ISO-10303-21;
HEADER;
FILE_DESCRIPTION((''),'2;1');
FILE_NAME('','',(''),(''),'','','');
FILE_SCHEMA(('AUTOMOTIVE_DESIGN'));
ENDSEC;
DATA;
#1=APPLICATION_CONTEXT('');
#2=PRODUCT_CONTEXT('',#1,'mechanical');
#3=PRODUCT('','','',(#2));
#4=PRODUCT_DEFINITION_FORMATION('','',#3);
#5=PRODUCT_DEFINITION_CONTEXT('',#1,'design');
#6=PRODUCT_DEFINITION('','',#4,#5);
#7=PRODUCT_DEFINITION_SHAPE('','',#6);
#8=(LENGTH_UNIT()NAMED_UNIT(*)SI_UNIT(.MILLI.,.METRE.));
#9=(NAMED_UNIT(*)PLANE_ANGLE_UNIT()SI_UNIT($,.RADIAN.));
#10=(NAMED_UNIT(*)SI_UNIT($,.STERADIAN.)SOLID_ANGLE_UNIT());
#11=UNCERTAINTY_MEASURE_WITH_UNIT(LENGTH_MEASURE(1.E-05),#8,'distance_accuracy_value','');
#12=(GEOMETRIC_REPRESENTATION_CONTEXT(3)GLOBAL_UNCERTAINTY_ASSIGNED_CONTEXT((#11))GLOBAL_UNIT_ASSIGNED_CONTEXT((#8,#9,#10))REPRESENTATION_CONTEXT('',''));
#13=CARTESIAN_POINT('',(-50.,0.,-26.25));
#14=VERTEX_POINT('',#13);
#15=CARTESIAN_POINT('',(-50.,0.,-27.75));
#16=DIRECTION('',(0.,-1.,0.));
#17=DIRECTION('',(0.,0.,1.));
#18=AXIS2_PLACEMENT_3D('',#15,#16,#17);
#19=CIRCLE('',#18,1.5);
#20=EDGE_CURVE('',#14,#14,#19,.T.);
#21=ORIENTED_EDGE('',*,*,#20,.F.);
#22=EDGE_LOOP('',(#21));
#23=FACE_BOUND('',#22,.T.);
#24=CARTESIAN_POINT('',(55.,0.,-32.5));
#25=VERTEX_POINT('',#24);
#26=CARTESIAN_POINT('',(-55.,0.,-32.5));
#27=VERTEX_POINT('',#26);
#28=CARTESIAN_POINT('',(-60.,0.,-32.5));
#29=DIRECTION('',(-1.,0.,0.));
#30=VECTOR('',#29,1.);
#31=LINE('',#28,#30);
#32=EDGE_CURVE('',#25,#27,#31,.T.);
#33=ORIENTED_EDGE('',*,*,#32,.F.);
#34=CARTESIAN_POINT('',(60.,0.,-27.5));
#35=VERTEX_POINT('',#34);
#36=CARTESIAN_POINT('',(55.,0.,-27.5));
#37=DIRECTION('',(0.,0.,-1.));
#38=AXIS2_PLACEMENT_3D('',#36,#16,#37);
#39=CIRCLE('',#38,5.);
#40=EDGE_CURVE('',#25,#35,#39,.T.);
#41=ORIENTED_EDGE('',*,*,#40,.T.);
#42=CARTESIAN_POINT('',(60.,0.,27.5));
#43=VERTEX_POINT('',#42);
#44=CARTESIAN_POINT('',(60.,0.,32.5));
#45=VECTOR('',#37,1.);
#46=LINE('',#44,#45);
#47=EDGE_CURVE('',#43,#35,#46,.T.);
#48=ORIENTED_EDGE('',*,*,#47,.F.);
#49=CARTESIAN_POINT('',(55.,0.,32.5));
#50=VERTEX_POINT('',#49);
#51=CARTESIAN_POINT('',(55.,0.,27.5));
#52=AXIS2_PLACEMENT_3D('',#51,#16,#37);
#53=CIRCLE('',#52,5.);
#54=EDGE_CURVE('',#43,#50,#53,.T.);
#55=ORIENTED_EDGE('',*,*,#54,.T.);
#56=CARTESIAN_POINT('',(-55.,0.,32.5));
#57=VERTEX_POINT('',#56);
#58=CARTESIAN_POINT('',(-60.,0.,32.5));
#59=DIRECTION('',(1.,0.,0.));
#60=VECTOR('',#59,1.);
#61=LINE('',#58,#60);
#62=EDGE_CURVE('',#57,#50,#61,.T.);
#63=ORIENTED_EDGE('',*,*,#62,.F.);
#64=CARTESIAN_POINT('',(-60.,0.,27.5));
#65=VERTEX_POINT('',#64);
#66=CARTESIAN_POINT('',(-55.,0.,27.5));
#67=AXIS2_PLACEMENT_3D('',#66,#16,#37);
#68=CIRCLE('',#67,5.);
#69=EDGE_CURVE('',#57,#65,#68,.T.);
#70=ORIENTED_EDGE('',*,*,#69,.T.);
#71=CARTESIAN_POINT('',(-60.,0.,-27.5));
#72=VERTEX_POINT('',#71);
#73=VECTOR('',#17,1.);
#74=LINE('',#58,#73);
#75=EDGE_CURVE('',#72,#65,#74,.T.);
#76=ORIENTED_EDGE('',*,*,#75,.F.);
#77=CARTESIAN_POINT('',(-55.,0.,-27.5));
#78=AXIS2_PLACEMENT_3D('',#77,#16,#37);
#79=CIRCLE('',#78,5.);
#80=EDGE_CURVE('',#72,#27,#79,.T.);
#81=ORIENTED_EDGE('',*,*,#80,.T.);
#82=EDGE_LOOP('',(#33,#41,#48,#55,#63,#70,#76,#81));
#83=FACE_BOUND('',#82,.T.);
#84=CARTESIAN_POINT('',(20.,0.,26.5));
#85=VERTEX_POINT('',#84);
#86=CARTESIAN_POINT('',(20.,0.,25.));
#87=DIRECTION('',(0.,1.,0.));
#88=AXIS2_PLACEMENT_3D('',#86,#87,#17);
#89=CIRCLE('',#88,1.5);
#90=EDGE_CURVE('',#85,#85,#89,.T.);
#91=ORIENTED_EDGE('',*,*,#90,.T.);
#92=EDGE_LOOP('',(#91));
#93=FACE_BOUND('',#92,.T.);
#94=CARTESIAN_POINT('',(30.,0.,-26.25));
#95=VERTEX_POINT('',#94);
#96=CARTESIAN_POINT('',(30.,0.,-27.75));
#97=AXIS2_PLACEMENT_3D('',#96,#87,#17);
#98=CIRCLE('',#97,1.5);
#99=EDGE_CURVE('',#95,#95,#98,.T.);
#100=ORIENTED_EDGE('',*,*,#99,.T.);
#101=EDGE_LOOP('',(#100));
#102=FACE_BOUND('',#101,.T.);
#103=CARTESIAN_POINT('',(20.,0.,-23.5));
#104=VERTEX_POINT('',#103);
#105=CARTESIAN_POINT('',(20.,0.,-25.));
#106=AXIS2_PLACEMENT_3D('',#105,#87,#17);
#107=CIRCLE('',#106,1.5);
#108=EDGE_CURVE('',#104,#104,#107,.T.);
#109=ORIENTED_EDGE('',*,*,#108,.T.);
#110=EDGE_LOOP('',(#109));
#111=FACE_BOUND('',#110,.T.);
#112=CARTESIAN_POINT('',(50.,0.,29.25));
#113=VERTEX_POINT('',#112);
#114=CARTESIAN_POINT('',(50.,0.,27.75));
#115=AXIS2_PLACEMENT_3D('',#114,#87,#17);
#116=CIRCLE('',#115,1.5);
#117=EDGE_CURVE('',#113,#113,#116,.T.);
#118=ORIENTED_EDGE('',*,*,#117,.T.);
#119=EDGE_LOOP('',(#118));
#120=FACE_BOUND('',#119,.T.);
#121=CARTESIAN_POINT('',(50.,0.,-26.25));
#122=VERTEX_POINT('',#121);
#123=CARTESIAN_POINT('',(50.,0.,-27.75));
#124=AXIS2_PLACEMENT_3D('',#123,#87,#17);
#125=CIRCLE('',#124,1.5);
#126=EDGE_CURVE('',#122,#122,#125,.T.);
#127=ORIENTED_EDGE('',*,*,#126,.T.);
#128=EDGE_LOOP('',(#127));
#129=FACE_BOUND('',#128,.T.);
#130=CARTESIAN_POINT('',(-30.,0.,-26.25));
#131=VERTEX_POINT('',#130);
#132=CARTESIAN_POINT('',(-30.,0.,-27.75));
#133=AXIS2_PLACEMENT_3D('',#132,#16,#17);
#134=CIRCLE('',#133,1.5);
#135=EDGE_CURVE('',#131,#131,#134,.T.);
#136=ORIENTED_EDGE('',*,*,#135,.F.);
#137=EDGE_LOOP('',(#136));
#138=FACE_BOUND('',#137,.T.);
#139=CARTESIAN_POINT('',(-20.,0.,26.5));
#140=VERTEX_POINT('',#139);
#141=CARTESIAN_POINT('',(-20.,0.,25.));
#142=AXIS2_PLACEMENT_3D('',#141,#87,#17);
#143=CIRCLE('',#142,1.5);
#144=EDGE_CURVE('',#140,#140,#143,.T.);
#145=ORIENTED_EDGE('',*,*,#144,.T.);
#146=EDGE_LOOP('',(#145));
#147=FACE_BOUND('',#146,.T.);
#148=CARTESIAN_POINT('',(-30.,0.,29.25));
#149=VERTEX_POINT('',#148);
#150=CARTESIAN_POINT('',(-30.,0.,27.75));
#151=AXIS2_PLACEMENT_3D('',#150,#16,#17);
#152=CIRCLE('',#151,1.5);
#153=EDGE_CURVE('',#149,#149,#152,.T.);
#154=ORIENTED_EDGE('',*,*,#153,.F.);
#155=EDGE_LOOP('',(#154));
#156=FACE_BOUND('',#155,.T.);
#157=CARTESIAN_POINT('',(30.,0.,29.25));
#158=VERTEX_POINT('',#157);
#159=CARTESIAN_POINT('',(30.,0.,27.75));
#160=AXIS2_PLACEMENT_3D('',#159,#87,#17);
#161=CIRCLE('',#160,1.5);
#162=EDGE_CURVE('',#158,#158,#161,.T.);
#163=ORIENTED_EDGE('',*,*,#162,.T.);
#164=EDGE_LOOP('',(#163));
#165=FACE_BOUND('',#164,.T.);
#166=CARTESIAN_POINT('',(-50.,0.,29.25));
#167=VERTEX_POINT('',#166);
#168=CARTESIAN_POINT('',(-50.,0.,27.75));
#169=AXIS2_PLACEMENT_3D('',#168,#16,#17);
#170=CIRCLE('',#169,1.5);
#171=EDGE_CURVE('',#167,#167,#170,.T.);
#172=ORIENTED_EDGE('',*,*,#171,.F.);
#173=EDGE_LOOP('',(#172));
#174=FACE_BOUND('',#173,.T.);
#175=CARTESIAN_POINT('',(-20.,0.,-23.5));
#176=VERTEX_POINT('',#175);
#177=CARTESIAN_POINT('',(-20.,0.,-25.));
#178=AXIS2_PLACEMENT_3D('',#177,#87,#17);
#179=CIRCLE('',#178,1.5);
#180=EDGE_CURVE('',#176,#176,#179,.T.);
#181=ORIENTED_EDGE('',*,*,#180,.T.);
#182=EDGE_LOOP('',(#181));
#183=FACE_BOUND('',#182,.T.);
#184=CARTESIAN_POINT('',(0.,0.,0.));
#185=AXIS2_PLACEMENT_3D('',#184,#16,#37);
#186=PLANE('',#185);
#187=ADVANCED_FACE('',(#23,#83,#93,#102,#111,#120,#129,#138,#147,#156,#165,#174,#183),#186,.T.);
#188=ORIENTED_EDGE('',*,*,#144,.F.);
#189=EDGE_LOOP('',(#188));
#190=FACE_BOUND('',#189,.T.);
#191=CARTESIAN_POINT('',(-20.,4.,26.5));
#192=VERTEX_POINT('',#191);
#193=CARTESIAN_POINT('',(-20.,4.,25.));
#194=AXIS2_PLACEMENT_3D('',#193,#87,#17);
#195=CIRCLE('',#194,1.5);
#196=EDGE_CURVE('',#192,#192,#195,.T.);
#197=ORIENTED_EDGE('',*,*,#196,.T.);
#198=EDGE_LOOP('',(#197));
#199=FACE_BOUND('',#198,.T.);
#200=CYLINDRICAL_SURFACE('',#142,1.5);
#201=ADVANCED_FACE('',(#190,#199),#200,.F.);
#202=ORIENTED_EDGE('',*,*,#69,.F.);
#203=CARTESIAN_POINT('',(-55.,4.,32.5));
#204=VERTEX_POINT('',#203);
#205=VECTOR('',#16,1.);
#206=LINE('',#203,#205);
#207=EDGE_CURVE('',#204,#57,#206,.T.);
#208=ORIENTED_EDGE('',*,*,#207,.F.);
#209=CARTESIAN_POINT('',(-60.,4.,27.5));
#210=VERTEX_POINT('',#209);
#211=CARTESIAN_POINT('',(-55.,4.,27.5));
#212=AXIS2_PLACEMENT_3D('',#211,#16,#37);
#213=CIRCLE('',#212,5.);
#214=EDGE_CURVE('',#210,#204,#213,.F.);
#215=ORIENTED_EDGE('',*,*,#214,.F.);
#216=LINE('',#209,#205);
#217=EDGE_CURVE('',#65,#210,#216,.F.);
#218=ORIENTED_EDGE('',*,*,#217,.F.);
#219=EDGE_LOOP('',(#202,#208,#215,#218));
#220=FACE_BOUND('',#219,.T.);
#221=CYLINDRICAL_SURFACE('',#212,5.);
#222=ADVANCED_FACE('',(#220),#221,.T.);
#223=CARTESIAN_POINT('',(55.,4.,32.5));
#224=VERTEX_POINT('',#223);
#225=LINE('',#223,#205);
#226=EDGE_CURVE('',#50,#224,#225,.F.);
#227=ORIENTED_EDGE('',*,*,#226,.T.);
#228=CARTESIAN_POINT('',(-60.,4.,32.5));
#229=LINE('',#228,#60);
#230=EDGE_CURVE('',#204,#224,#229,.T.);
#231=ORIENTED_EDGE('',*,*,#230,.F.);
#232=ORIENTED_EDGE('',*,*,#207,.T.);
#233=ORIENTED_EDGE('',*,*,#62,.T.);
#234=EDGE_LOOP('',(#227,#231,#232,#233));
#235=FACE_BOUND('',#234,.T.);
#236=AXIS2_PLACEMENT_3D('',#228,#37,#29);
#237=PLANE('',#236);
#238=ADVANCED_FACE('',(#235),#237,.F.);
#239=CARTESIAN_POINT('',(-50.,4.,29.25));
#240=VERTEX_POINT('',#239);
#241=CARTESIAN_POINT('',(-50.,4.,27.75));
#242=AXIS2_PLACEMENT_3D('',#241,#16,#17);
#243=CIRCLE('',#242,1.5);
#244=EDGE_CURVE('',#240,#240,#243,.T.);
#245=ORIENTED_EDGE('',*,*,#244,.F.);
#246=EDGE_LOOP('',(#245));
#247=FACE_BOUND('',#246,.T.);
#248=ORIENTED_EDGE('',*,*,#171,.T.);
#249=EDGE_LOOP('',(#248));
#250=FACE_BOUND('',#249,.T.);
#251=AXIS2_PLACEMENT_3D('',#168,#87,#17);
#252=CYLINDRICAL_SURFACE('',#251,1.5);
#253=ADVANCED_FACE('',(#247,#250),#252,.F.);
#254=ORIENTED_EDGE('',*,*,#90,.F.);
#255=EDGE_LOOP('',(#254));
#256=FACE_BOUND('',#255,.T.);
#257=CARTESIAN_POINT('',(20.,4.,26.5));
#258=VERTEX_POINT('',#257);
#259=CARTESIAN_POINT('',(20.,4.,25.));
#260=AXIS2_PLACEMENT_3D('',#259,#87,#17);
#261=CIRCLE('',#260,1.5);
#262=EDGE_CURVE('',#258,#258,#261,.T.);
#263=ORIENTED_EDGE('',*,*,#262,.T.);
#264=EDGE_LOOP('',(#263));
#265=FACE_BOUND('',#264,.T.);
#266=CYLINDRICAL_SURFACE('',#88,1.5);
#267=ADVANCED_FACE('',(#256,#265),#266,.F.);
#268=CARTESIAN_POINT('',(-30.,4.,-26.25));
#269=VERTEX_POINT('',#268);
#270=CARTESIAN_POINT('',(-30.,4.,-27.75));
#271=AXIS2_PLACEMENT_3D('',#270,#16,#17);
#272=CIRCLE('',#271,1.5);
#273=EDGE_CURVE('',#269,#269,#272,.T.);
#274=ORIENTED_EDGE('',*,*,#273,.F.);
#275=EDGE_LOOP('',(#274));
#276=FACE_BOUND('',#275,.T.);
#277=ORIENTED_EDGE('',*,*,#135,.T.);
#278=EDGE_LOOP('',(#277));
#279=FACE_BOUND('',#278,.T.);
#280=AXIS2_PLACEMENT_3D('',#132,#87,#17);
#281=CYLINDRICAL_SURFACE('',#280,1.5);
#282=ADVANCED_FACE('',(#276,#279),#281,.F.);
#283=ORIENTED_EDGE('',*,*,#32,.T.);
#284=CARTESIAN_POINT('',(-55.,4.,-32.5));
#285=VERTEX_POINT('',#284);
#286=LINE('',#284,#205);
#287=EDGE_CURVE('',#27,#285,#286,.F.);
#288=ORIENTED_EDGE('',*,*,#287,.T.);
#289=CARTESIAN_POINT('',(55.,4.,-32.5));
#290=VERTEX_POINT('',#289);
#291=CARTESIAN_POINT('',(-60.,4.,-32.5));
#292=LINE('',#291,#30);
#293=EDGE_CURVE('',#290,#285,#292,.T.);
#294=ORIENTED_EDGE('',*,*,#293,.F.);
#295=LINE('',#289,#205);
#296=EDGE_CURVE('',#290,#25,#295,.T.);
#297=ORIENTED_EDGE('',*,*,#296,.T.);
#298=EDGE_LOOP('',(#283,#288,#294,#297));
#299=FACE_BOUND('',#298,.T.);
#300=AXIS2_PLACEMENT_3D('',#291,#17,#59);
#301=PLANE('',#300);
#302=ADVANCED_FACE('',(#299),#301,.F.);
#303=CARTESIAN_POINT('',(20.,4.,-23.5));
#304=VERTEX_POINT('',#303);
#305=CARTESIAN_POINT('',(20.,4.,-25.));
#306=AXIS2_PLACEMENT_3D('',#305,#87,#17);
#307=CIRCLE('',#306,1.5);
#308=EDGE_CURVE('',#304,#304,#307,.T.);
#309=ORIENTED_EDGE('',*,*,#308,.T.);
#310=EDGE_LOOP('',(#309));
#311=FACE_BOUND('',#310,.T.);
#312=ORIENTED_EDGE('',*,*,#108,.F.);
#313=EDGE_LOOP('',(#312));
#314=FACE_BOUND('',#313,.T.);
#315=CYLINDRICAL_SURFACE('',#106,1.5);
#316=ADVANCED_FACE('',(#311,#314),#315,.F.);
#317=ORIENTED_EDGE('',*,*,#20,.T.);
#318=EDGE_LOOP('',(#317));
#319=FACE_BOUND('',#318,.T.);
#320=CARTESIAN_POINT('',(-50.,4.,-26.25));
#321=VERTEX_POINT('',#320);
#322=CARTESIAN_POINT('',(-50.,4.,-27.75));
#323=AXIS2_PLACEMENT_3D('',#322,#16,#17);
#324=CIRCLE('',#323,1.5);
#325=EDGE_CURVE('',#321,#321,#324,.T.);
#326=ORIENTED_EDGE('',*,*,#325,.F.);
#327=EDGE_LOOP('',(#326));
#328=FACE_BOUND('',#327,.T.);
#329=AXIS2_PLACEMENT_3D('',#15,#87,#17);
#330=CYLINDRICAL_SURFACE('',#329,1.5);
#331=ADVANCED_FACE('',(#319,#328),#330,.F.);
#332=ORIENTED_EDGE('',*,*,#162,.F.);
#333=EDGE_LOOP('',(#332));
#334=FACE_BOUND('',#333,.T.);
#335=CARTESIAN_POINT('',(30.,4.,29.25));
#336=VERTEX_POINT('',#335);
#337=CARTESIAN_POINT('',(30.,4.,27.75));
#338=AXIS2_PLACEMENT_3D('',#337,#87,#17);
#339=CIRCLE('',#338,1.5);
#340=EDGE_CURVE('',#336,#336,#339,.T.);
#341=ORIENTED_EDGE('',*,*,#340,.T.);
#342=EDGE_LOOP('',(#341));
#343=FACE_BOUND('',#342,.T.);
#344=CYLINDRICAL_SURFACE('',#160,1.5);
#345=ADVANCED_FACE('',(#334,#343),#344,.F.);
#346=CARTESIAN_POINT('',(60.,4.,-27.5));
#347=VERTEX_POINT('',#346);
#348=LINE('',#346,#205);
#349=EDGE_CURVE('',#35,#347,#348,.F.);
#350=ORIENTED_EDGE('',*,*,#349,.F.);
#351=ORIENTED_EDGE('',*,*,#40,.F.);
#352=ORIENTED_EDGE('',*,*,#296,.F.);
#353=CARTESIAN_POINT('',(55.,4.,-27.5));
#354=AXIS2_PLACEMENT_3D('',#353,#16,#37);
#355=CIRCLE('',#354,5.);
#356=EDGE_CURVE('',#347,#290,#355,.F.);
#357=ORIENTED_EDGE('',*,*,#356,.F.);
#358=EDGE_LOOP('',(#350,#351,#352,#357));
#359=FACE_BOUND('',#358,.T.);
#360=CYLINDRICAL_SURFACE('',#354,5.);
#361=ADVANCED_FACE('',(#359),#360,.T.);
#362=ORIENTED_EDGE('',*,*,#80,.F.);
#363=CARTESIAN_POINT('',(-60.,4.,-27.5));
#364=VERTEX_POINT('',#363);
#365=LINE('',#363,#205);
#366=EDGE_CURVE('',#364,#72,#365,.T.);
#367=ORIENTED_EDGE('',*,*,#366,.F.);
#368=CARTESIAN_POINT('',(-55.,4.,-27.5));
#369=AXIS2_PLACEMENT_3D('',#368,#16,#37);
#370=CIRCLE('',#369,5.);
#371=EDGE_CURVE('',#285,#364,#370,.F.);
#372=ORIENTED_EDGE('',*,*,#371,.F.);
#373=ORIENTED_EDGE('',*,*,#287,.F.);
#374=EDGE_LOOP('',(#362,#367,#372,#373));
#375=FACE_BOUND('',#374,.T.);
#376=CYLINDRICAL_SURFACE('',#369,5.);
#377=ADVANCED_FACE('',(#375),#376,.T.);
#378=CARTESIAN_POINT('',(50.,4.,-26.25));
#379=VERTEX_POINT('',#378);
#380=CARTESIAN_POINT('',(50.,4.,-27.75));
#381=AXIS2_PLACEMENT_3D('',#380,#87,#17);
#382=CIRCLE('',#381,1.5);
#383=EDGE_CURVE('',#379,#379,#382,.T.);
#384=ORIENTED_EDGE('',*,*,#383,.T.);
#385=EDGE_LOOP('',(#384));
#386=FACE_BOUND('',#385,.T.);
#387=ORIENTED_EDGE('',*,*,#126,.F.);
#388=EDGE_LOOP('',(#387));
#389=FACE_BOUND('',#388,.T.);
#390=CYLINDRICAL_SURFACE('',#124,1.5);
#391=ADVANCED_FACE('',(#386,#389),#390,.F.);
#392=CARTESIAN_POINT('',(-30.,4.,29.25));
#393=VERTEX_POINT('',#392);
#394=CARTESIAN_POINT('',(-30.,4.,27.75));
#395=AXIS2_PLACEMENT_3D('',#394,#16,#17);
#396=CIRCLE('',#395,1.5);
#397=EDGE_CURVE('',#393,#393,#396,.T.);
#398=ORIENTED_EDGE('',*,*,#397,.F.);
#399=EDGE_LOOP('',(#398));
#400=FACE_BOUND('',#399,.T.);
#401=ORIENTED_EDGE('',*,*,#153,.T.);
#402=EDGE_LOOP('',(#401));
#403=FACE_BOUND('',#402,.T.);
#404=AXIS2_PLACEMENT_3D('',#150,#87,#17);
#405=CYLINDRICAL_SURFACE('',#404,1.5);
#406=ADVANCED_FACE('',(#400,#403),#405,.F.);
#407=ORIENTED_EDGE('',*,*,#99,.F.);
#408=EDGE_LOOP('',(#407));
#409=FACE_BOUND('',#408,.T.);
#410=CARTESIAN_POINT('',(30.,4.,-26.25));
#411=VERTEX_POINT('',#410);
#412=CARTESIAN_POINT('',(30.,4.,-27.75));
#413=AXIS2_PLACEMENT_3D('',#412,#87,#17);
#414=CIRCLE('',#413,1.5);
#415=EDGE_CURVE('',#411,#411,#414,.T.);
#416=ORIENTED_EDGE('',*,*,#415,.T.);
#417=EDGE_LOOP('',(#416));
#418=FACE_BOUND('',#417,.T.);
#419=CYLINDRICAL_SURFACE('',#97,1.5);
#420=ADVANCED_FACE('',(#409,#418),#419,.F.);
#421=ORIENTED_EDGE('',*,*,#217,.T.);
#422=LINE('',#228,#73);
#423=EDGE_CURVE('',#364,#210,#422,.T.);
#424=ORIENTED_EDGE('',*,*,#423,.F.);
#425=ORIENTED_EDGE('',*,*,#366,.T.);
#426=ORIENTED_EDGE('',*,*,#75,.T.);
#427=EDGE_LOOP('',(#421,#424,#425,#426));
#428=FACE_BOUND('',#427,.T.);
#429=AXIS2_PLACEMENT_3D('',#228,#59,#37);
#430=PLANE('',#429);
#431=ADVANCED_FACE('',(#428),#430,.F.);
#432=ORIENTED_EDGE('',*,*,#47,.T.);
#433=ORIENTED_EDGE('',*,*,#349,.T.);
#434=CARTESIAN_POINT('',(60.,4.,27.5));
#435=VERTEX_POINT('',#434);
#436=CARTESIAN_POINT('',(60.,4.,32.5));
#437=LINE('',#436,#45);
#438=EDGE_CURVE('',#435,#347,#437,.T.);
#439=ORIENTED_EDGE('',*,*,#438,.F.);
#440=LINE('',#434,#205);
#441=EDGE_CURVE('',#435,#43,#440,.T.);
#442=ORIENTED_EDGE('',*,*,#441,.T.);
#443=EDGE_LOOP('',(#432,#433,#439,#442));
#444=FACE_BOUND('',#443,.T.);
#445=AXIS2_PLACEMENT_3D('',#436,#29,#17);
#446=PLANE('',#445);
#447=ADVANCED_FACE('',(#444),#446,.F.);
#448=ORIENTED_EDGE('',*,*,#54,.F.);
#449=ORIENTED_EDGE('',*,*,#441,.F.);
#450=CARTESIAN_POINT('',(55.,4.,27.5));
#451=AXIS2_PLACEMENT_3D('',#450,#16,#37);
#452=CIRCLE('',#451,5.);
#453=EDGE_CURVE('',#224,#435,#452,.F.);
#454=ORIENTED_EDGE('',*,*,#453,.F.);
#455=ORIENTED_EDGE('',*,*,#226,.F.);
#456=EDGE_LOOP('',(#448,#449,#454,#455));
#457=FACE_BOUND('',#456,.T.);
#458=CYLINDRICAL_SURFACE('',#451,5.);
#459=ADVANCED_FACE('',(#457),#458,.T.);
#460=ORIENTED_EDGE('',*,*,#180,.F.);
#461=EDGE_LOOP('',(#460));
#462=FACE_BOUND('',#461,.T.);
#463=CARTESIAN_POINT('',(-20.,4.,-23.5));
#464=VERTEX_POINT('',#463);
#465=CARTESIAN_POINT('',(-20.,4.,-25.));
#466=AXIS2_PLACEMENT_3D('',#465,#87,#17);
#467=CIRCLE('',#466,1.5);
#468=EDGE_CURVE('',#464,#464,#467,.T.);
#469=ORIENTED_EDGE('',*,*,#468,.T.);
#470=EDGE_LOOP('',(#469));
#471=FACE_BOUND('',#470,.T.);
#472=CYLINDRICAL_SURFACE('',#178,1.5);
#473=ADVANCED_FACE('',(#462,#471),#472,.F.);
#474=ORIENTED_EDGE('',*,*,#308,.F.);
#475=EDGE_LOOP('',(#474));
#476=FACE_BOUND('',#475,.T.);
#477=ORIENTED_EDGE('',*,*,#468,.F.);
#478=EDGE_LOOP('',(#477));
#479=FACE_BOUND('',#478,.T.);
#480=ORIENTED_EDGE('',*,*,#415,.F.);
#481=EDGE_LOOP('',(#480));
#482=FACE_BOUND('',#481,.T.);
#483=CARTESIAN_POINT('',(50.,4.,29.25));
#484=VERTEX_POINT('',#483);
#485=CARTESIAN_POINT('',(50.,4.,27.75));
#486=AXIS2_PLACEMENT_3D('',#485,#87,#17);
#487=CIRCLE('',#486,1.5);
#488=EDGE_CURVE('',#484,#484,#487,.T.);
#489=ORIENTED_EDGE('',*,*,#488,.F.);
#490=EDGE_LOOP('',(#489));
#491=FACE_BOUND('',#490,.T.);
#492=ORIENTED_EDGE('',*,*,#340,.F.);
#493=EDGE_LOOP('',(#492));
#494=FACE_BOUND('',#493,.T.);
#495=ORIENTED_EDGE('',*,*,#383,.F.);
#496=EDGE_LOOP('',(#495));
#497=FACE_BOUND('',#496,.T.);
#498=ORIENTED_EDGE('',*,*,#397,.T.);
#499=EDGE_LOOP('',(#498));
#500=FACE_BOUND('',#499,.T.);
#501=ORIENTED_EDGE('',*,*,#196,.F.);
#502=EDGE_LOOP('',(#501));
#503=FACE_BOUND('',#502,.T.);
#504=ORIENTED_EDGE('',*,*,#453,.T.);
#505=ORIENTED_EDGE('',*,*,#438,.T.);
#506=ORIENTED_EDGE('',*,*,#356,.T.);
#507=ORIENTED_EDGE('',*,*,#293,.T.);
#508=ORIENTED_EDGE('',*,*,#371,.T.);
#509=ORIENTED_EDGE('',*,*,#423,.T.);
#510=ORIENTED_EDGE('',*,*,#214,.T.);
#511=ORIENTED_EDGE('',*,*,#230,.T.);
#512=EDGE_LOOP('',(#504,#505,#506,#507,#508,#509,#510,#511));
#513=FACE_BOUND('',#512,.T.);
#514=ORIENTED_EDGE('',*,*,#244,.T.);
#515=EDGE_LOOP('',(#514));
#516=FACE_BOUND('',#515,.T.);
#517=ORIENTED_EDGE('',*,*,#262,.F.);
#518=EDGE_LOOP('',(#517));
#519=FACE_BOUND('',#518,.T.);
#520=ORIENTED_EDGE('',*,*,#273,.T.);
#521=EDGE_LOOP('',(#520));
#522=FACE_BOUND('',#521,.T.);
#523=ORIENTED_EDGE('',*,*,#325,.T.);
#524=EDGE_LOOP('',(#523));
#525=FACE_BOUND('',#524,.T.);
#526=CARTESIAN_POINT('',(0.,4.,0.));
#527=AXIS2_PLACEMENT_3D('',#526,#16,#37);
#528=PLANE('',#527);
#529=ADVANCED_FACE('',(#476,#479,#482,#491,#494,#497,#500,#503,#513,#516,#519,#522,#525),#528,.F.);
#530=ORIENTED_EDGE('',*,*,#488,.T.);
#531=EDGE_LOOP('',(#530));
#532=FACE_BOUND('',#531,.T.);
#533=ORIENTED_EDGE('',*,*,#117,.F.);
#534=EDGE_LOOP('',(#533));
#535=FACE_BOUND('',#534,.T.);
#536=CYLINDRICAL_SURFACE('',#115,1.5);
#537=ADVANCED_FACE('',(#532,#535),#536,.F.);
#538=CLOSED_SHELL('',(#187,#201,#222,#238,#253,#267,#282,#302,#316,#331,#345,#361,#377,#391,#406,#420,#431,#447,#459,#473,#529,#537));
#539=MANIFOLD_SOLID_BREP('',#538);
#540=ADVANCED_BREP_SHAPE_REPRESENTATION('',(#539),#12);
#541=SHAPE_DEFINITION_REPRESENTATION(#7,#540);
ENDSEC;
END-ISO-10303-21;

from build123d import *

# Parameters (mm, degrees)
SKETCH_1_W          = 120
SKETCH_1_H          = 65
EXTRUDE_1_DEPTH     = 4
SKETCH_2_R          = 1.5
CUT_EXTRUDE_1_DEPTH = 4
FILLET_1_R          = 5
SKETCH_3_R          = 1.5
CUT_EXTRUDE_2_DEPTH = 4


with BuildPart() as part:
    # 草图1 → 凸台-拉伸1 (new body)
    with BuildSketch(Plane(origin=(0, 0, 0), x_dir=(1, 0, 0), z_dir=(0, 1, 0))):
        Rectangle(SKETCH_1_W, SKETCH_1_H)
    extrude(amount=EXTRUDE_1_DEPTH)

    # 草图2 → 切除-拉伸1 (cut)
    with BuildSketch(Plane(origin=(0, 4, 0), x_dir=(1, 0, 0), z_dir=(0, 1, 0))):
        with Locations(Location((50, -27.75, 0), (0, 0, 270))):
            Circle(SKETCH_2_R)
        with Locations(Location((50, 27.75, 0), (0, 0, 270))):
            Circle(SKETCH_2_R)
        with Locations(Location((30, 27.75, 0), (0, 0, 270))):
            Circle(SKETCH_2_R)
        with Locations(Location((30, -27.75, 0), (0, 0, 270))):
            Circle(SKETCH_2_R)
    cut_extrude_1 = extrude(amount=-CUT_EXTRUDE_1_DEPTH, mode=Mode.SUBTRACT)

    # 镜向2: 切除-拉伸1 across plane
    add(cut_extrude_1.mirror(Plane(origin=(0, 0, 0), x_dir=(0, 0, 1), z_dir=(1, 0, 0))), mode=Mode.SUBTRACT)

    # 圆角1
    fillet_1_edges = [part.edges().sort_by_distance(p)[0] for p in [
        (60, 2, 32.5),
        (-60, 2, 32.5),
        (-60, 2, -32.5),
        (60, 2, -32.5),
    ]]
    fillet(fillet_1_edges, radius=FILLET_1_R)

    # 草图3 → 切除-拉伸2 (cut)
    with BuildSketch(Plane(origin=(0, 4, 0), x_dir=(1, 0, 0), z_dir=(0, 1, 0))):
        with Locations(Location((-20, 25, 0), (0, 0, 270))):
            Circle(SKETCH_3_R)
        with Locations(Location((20, 25, 0), (0, 0, 270))):
            Circle(SKETCH_3_R)
        with Locations(Location((20, -25, 0), (0, 0, 270))):
            Circle(SKETCH_3_R)
        with Locations(Location((-20, -25, 0), (0, 0, 270))):
            Circle(SKETCH_3_R)
    extrude(amount=-CUT_EXTRUDE_2_DEPTH, mode=Mode.SUBTRACT)


solid = part.part
